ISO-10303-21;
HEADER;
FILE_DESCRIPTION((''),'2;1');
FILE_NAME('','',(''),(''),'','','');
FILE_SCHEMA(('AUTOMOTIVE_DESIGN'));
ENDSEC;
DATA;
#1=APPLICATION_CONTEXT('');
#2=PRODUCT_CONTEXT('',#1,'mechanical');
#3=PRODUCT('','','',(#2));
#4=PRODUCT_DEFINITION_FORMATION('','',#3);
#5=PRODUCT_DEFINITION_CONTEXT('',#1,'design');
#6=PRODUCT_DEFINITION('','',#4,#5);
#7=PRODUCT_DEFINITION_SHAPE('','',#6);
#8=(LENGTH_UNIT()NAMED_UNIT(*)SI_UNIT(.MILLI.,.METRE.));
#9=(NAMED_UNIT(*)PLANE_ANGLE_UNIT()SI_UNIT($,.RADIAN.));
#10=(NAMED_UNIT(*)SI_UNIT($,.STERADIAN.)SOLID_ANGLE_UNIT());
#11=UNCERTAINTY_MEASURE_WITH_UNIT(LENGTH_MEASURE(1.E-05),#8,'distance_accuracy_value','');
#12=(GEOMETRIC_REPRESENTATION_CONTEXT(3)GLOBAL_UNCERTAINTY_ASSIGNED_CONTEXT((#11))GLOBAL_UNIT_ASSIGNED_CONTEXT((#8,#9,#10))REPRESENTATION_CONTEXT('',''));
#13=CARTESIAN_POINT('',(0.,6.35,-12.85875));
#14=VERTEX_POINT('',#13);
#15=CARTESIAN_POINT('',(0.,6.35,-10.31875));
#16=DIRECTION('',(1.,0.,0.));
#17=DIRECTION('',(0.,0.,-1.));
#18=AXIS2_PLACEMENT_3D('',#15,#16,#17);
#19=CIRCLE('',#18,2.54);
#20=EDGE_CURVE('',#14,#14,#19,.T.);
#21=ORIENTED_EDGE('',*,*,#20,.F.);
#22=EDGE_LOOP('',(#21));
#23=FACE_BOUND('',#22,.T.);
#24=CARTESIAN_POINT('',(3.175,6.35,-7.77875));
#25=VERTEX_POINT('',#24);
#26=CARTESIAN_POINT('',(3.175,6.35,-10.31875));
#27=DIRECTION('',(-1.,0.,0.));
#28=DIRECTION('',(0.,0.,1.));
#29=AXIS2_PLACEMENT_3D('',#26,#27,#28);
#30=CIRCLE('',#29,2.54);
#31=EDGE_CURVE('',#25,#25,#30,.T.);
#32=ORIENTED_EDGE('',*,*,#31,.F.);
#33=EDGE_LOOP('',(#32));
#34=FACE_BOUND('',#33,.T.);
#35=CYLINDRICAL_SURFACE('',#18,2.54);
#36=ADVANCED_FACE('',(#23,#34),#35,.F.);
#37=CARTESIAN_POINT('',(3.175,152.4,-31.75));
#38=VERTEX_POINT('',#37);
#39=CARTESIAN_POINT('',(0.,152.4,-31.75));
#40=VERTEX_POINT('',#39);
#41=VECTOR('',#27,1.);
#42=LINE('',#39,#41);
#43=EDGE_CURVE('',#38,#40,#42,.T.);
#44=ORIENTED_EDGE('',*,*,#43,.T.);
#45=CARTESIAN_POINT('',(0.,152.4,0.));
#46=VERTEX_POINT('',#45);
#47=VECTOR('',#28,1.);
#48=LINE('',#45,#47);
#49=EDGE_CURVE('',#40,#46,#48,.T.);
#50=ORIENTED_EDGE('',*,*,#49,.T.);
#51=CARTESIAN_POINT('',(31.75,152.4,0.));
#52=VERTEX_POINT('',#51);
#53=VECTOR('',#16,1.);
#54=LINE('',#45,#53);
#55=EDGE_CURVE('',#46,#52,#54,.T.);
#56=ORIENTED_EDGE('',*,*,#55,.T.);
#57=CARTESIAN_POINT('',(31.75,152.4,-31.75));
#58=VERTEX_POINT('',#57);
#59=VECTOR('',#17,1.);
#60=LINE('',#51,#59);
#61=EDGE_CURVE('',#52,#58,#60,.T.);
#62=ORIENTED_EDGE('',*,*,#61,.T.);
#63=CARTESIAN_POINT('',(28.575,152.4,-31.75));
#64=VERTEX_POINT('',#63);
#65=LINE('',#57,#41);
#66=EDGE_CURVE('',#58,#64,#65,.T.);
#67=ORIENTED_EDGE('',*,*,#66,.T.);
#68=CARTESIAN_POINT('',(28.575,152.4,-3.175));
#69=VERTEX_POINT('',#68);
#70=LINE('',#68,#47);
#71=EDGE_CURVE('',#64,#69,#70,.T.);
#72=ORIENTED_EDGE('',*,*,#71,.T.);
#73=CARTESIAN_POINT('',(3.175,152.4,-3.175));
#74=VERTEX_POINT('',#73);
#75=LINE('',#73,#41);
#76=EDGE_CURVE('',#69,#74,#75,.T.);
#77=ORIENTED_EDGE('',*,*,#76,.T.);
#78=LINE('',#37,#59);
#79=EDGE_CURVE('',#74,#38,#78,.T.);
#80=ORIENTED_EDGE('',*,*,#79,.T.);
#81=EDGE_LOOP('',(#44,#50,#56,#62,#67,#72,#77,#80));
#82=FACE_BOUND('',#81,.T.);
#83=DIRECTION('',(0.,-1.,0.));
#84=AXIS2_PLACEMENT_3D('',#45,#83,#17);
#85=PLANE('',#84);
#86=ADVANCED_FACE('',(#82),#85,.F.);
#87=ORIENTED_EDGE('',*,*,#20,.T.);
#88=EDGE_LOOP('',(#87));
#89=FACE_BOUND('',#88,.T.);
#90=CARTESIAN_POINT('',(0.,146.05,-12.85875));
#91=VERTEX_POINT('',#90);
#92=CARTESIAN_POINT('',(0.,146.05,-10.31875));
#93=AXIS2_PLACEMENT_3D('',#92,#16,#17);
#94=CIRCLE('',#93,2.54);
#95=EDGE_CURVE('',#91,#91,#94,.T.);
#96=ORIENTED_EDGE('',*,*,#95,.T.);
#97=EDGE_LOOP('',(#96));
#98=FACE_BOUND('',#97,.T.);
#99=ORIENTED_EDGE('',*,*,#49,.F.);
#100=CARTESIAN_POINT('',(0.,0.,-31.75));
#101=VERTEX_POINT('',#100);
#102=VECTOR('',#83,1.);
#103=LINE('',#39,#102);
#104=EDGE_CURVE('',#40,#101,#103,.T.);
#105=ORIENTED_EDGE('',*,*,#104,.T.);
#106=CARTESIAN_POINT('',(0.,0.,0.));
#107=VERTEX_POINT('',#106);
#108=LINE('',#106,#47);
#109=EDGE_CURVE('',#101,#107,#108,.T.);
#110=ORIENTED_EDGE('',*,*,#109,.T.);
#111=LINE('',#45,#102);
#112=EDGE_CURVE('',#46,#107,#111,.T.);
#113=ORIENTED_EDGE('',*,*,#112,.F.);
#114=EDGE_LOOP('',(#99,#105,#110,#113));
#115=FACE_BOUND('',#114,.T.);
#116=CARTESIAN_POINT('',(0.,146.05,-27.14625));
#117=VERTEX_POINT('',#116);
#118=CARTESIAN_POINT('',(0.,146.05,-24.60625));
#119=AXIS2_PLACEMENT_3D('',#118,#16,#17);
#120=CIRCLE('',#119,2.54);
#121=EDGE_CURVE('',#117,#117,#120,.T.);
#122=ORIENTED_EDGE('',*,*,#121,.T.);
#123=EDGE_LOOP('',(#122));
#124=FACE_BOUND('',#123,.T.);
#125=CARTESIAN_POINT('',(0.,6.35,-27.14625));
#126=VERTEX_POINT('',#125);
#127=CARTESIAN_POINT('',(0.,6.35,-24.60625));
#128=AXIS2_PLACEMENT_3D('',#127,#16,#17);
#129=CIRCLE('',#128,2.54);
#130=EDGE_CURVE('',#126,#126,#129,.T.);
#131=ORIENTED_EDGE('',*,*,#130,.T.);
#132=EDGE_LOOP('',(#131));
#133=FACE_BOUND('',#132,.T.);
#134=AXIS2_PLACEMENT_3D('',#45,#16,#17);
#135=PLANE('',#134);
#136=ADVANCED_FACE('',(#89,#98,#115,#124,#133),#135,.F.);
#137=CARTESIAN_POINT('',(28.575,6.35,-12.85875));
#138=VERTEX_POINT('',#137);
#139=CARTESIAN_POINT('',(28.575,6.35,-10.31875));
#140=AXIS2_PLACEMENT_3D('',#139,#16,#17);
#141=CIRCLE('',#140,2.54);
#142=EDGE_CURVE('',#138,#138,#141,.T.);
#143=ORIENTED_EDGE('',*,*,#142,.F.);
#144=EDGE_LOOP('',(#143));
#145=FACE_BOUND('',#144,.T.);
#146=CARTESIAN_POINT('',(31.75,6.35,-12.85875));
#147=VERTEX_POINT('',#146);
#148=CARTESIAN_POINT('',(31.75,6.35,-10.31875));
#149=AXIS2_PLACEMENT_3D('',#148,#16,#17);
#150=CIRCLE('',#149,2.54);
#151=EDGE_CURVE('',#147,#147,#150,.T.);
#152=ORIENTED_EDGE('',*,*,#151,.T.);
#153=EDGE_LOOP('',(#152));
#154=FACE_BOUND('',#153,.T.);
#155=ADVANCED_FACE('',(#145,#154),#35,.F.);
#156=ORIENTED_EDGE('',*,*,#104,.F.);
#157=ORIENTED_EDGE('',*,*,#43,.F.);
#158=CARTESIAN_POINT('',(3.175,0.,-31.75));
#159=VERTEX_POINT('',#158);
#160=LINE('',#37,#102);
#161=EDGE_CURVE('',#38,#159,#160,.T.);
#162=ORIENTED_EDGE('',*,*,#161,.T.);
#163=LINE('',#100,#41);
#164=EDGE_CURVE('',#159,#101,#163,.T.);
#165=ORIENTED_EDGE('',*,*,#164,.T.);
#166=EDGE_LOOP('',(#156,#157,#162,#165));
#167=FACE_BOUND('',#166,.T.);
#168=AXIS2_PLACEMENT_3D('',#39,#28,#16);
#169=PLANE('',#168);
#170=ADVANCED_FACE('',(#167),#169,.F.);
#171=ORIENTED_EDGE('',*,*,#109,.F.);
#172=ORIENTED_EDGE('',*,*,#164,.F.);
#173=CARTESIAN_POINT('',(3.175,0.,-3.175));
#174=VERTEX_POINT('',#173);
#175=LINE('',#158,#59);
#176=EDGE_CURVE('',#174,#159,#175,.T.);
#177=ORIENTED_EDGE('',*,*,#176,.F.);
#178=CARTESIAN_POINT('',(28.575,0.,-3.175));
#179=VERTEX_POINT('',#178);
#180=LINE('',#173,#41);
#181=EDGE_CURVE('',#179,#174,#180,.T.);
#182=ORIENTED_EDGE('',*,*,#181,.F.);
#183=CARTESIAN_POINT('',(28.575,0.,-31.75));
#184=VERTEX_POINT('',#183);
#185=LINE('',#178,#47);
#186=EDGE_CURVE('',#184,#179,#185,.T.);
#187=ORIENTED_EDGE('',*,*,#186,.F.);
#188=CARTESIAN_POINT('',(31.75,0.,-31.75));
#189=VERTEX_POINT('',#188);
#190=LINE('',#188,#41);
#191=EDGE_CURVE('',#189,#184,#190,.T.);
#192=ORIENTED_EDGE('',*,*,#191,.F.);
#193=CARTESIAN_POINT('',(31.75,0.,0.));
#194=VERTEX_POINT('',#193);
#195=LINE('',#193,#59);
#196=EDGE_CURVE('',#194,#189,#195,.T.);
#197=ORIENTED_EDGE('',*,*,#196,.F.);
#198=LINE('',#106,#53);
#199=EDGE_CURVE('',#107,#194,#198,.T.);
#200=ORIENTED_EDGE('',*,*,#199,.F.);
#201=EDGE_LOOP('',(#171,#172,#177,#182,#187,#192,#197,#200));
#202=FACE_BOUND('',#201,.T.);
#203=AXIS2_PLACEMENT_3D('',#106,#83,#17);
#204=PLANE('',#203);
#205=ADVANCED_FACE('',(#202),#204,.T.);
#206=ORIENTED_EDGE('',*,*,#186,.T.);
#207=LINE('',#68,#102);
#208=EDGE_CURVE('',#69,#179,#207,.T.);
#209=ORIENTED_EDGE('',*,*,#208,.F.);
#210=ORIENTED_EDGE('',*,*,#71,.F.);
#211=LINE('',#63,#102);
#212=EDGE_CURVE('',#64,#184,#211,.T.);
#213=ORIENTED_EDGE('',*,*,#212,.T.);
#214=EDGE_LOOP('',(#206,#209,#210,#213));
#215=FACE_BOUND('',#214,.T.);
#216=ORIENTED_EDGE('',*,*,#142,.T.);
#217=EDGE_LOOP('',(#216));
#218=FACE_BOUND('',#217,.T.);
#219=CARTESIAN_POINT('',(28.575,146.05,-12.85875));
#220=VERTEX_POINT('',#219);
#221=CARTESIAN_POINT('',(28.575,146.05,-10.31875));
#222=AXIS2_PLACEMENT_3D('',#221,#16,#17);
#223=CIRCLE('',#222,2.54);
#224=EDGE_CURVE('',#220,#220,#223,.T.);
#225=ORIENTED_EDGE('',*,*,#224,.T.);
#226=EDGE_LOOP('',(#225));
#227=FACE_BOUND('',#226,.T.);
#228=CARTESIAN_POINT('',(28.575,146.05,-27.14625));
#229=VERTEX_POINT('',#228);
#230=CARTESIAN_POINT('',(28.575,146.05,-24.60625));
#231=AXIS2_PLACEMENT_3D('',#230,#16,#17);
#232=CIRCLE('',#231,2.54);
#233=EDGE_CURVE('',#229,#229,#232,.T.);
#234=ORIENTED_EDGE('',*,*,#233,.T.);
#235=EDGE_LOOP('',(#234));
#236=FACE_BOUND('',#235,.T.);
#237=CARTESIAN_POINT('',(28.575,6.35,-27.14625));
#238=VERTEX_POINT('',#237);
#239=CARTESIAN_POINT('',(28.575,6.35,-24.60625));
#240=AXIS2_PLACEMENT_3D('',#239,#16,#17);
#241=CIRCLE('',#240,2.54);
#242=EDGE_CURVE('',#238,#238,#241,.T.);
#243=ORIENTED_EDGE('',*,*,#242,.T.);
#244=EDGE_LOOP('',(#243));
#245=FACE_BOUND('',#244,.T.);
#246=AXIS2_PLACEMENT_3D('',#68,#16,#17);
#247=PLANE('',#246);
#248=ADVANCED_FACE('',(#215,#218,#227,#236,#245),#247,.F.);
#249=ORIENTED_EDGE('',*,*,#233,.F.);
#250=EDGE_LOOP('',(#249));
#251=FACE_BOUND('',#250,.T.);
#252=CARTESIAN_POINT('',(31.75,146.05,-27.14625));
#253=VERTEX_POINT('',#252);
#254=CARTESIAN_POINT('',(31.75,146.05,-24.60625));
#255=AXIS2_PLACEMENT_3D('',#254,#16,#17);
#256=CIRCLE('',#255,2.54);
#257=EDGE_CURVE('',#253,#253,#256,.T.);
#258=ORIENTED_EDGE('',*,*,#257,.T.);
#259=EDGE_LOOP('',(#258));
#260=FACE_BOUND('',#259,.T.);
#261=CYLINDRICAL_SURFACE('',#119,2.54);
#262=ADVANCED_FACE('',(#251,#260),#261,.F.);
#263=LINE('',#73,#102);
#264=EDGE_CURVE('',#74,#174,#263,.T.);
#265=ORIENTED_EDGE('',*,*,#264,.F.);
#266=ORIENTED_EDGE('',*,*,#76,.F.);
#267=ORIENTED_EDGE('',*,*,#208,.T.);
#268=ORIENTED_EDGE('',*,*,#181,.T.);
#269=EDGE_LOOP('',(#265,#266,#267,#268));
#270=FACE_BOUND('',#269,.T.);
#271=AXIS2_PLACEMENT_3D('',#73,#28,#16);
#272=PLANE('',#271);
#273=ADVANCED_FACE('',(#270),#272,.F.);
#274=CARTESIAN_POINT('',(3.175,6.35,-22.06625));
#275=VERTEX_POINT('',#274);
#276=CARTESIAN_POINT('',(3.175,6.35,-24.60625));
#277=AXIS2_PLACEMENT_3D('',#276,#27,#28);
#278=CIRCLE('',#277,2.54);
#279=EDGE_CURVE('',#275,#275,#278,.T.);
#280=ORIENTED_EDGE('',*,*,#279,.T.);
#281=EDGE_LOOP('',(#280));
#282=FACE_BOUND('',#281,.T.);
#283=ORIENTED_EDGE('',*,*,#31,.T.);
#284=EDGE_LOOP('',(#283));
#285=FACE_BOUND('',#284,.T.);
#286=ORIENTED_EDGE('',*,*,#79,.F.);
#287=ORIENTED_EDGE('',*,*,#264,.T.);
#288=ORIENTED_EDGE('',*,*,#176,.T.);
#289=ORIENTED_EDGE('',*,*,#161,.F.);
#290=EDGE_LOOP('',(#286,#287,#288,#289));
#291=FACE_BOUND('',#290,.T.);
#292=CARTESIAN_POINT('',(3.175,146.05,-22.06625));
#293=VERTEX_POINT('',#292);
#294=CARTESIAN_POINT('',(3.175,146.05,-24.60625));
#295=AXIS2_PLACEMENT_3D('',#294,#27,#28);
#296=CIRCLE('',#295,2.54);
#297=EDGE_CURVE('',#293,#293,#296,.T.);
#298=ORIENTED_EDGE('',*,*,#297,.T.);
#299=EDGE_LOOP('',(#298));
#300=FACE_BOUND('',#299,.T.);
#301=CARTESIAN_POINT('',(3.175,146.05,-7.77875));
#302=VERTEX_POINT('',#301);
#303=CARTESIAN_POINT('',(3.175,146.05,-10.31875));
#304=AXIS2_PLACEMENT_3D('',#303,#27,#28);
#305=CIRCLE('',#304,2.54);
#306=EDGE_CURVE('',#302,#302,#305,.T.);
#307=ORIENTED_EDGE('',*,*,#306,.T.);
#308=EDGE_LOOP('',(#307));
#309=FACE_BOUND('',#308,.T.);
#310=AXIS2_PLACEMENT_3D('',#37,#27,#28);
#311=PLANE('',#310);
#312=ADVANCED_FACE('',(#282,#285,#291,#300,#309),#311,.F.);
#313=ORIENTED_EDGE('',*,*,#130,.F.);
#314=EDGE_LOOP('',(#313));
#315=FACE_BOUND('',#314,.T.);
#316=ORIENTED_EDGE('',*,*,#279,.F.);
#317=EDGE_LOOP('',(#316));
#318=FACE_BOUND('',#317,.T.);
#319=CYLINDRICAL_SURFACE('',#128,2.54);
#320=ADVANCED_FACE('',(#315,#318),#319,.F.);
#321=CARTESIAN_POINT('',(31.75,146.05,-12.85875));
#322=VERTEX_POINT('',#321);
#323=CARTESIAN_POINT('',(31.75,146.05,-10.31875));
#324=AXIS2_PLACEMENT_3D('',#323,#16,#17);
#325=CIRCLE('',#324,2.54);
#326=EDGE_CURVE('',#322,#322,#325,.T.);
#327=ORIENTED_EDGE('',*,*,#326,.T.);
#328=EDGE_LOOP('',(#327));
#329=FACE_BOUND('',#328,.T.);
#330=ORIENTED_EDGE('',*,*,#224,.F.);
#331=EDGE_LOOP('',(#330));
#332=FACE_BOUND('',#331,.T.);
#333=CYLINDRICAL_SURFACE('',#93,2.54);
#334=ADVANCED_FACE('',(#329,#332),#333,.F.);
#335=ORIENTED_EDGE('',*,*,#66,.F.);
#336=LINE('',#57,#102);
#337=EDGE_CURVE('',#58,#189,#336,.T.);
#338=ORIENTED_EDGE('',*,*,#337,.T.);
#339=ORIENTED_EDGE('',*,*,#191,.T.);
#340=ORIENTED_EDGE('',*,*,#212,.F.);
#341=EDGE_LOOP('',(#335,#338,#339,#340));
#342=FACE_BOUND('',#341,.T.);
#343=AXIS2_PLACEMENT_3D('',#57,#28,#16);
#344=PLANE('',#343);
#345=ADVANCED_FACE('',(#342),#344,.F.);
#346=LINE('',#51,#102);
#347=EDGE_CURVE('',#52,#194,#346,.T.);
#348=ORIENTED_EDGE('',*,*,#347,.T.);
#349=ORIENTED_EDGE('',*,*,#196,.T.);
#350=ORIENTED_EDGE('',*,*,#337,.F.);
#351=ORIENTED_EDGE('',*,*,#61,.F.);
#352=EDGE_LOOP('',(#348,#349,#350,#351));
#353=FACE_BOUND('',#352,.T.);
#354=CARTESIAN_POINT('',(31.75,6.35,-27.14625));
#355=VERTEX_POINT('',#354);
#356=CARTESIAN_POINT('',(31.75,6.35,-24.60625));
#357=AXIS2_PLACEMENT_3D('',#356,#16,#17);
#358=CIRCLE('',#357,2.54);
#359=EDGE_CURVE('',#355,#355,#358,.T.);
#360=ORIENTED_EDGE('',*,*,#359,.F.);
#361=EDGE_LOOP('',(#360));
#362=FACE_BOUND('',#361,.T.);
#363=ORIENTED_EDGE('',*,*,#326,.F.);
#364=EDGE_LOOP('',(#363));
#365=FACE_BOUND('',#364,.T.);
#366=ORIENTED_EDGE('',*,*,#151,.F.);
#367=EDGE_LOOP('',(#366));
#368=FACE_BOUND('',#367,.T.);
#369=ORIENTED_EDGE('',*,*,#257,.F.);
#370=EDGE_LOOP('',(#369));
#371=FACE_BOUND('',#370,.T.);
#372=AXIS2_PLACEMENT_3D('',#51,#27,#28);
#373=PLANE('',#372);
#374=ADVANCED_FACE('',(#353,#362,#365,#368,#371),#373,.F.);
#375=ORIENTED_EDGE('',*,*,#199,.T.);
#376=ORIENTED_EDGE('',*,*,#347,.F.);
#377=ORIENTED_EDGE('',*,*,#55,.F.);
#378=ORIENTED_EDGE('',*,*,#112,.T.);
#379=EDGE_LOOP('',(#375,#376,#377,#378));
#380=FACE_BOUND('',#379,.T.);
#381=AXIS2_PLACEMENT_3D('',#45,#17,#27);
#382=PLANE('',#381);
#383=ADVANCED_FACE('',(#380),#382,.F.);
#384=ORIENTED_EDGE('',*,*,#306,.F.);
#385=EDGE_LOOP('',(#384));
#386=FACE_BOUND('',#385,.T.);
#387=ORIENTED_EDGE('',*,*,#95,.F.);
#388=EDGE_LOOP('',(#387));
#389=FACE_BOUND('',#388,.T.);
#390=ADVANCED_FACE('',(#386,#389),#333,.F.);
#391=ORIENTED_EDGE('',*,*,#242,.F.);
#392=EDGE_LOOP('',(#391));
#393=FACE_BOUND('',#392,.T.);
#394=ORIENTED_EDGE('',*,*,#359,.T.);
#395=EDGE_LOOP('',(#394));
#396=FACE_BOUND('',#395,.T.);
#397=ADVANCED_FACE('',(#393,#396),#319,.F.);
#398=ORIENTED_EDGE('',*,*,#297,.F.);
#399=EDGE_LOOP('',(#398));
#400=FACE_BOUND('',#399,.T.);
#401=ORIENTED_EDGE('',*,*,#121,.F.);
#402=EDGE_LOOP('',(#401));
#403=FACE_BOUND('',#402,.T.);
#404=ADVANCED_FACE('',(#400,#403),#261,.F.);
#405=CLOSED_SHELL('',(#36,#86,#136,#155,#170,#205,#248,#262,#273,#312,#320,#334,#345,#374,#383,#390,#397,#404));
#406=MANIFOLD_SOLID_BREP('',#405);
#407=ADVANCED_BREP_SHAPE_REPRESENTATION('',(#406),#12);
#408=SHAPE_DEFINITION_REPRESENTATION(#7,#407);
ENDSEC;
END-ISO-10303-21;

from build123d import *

# Parameters (mm, degrees)
BOSS_EXTRUDE1_DEPTH = 152.4
SKETCH2_R           = 2.54
CUT_EXTRUDE2_DEPTH  = 31.75


with BuildPart() as part:
    # Sketch1 → Boss-Extrude1 (new body)
    with BuildSketch(Plane(origin=(0, 0, 0), x_dir=(1, 0, 0), z_dir=(0, 1, 0))):
        Polygon((0, 0), (31.75, 0), (31.75, 31.75), (28.575, 31.75), (28.575, 3.175), (3.175, 3.175), (3.175, 31.75), (0, 31.75), align=None)
    extrude(amount=BOSS_EXTRUDE1_DEPTH)

    # Sketch2 → Cut-Extrude2 (cut)
    with BuildSketch(Plane(origin=(31.75, 0, 0), x_dir=(0, 0, -1), z_dir=(1, 0, 0))):
        with Locations((24.60625, 6.35)):
            Circle(SKETCH2_R)
        with Locations((10.31875, 6.35)):
            Circle(SKETCH2_R)
        with Locations((24.60625, 146.05)):
            Circle(SKETCH2_R)
        with Locations((10.31875, 146.05)):
            Circle(SKETCH2_R)
    extrude(amount=-CUT_EXTRUDE2_DEPTH, mode=Mode.SUBTRACT)


solid = part.part
